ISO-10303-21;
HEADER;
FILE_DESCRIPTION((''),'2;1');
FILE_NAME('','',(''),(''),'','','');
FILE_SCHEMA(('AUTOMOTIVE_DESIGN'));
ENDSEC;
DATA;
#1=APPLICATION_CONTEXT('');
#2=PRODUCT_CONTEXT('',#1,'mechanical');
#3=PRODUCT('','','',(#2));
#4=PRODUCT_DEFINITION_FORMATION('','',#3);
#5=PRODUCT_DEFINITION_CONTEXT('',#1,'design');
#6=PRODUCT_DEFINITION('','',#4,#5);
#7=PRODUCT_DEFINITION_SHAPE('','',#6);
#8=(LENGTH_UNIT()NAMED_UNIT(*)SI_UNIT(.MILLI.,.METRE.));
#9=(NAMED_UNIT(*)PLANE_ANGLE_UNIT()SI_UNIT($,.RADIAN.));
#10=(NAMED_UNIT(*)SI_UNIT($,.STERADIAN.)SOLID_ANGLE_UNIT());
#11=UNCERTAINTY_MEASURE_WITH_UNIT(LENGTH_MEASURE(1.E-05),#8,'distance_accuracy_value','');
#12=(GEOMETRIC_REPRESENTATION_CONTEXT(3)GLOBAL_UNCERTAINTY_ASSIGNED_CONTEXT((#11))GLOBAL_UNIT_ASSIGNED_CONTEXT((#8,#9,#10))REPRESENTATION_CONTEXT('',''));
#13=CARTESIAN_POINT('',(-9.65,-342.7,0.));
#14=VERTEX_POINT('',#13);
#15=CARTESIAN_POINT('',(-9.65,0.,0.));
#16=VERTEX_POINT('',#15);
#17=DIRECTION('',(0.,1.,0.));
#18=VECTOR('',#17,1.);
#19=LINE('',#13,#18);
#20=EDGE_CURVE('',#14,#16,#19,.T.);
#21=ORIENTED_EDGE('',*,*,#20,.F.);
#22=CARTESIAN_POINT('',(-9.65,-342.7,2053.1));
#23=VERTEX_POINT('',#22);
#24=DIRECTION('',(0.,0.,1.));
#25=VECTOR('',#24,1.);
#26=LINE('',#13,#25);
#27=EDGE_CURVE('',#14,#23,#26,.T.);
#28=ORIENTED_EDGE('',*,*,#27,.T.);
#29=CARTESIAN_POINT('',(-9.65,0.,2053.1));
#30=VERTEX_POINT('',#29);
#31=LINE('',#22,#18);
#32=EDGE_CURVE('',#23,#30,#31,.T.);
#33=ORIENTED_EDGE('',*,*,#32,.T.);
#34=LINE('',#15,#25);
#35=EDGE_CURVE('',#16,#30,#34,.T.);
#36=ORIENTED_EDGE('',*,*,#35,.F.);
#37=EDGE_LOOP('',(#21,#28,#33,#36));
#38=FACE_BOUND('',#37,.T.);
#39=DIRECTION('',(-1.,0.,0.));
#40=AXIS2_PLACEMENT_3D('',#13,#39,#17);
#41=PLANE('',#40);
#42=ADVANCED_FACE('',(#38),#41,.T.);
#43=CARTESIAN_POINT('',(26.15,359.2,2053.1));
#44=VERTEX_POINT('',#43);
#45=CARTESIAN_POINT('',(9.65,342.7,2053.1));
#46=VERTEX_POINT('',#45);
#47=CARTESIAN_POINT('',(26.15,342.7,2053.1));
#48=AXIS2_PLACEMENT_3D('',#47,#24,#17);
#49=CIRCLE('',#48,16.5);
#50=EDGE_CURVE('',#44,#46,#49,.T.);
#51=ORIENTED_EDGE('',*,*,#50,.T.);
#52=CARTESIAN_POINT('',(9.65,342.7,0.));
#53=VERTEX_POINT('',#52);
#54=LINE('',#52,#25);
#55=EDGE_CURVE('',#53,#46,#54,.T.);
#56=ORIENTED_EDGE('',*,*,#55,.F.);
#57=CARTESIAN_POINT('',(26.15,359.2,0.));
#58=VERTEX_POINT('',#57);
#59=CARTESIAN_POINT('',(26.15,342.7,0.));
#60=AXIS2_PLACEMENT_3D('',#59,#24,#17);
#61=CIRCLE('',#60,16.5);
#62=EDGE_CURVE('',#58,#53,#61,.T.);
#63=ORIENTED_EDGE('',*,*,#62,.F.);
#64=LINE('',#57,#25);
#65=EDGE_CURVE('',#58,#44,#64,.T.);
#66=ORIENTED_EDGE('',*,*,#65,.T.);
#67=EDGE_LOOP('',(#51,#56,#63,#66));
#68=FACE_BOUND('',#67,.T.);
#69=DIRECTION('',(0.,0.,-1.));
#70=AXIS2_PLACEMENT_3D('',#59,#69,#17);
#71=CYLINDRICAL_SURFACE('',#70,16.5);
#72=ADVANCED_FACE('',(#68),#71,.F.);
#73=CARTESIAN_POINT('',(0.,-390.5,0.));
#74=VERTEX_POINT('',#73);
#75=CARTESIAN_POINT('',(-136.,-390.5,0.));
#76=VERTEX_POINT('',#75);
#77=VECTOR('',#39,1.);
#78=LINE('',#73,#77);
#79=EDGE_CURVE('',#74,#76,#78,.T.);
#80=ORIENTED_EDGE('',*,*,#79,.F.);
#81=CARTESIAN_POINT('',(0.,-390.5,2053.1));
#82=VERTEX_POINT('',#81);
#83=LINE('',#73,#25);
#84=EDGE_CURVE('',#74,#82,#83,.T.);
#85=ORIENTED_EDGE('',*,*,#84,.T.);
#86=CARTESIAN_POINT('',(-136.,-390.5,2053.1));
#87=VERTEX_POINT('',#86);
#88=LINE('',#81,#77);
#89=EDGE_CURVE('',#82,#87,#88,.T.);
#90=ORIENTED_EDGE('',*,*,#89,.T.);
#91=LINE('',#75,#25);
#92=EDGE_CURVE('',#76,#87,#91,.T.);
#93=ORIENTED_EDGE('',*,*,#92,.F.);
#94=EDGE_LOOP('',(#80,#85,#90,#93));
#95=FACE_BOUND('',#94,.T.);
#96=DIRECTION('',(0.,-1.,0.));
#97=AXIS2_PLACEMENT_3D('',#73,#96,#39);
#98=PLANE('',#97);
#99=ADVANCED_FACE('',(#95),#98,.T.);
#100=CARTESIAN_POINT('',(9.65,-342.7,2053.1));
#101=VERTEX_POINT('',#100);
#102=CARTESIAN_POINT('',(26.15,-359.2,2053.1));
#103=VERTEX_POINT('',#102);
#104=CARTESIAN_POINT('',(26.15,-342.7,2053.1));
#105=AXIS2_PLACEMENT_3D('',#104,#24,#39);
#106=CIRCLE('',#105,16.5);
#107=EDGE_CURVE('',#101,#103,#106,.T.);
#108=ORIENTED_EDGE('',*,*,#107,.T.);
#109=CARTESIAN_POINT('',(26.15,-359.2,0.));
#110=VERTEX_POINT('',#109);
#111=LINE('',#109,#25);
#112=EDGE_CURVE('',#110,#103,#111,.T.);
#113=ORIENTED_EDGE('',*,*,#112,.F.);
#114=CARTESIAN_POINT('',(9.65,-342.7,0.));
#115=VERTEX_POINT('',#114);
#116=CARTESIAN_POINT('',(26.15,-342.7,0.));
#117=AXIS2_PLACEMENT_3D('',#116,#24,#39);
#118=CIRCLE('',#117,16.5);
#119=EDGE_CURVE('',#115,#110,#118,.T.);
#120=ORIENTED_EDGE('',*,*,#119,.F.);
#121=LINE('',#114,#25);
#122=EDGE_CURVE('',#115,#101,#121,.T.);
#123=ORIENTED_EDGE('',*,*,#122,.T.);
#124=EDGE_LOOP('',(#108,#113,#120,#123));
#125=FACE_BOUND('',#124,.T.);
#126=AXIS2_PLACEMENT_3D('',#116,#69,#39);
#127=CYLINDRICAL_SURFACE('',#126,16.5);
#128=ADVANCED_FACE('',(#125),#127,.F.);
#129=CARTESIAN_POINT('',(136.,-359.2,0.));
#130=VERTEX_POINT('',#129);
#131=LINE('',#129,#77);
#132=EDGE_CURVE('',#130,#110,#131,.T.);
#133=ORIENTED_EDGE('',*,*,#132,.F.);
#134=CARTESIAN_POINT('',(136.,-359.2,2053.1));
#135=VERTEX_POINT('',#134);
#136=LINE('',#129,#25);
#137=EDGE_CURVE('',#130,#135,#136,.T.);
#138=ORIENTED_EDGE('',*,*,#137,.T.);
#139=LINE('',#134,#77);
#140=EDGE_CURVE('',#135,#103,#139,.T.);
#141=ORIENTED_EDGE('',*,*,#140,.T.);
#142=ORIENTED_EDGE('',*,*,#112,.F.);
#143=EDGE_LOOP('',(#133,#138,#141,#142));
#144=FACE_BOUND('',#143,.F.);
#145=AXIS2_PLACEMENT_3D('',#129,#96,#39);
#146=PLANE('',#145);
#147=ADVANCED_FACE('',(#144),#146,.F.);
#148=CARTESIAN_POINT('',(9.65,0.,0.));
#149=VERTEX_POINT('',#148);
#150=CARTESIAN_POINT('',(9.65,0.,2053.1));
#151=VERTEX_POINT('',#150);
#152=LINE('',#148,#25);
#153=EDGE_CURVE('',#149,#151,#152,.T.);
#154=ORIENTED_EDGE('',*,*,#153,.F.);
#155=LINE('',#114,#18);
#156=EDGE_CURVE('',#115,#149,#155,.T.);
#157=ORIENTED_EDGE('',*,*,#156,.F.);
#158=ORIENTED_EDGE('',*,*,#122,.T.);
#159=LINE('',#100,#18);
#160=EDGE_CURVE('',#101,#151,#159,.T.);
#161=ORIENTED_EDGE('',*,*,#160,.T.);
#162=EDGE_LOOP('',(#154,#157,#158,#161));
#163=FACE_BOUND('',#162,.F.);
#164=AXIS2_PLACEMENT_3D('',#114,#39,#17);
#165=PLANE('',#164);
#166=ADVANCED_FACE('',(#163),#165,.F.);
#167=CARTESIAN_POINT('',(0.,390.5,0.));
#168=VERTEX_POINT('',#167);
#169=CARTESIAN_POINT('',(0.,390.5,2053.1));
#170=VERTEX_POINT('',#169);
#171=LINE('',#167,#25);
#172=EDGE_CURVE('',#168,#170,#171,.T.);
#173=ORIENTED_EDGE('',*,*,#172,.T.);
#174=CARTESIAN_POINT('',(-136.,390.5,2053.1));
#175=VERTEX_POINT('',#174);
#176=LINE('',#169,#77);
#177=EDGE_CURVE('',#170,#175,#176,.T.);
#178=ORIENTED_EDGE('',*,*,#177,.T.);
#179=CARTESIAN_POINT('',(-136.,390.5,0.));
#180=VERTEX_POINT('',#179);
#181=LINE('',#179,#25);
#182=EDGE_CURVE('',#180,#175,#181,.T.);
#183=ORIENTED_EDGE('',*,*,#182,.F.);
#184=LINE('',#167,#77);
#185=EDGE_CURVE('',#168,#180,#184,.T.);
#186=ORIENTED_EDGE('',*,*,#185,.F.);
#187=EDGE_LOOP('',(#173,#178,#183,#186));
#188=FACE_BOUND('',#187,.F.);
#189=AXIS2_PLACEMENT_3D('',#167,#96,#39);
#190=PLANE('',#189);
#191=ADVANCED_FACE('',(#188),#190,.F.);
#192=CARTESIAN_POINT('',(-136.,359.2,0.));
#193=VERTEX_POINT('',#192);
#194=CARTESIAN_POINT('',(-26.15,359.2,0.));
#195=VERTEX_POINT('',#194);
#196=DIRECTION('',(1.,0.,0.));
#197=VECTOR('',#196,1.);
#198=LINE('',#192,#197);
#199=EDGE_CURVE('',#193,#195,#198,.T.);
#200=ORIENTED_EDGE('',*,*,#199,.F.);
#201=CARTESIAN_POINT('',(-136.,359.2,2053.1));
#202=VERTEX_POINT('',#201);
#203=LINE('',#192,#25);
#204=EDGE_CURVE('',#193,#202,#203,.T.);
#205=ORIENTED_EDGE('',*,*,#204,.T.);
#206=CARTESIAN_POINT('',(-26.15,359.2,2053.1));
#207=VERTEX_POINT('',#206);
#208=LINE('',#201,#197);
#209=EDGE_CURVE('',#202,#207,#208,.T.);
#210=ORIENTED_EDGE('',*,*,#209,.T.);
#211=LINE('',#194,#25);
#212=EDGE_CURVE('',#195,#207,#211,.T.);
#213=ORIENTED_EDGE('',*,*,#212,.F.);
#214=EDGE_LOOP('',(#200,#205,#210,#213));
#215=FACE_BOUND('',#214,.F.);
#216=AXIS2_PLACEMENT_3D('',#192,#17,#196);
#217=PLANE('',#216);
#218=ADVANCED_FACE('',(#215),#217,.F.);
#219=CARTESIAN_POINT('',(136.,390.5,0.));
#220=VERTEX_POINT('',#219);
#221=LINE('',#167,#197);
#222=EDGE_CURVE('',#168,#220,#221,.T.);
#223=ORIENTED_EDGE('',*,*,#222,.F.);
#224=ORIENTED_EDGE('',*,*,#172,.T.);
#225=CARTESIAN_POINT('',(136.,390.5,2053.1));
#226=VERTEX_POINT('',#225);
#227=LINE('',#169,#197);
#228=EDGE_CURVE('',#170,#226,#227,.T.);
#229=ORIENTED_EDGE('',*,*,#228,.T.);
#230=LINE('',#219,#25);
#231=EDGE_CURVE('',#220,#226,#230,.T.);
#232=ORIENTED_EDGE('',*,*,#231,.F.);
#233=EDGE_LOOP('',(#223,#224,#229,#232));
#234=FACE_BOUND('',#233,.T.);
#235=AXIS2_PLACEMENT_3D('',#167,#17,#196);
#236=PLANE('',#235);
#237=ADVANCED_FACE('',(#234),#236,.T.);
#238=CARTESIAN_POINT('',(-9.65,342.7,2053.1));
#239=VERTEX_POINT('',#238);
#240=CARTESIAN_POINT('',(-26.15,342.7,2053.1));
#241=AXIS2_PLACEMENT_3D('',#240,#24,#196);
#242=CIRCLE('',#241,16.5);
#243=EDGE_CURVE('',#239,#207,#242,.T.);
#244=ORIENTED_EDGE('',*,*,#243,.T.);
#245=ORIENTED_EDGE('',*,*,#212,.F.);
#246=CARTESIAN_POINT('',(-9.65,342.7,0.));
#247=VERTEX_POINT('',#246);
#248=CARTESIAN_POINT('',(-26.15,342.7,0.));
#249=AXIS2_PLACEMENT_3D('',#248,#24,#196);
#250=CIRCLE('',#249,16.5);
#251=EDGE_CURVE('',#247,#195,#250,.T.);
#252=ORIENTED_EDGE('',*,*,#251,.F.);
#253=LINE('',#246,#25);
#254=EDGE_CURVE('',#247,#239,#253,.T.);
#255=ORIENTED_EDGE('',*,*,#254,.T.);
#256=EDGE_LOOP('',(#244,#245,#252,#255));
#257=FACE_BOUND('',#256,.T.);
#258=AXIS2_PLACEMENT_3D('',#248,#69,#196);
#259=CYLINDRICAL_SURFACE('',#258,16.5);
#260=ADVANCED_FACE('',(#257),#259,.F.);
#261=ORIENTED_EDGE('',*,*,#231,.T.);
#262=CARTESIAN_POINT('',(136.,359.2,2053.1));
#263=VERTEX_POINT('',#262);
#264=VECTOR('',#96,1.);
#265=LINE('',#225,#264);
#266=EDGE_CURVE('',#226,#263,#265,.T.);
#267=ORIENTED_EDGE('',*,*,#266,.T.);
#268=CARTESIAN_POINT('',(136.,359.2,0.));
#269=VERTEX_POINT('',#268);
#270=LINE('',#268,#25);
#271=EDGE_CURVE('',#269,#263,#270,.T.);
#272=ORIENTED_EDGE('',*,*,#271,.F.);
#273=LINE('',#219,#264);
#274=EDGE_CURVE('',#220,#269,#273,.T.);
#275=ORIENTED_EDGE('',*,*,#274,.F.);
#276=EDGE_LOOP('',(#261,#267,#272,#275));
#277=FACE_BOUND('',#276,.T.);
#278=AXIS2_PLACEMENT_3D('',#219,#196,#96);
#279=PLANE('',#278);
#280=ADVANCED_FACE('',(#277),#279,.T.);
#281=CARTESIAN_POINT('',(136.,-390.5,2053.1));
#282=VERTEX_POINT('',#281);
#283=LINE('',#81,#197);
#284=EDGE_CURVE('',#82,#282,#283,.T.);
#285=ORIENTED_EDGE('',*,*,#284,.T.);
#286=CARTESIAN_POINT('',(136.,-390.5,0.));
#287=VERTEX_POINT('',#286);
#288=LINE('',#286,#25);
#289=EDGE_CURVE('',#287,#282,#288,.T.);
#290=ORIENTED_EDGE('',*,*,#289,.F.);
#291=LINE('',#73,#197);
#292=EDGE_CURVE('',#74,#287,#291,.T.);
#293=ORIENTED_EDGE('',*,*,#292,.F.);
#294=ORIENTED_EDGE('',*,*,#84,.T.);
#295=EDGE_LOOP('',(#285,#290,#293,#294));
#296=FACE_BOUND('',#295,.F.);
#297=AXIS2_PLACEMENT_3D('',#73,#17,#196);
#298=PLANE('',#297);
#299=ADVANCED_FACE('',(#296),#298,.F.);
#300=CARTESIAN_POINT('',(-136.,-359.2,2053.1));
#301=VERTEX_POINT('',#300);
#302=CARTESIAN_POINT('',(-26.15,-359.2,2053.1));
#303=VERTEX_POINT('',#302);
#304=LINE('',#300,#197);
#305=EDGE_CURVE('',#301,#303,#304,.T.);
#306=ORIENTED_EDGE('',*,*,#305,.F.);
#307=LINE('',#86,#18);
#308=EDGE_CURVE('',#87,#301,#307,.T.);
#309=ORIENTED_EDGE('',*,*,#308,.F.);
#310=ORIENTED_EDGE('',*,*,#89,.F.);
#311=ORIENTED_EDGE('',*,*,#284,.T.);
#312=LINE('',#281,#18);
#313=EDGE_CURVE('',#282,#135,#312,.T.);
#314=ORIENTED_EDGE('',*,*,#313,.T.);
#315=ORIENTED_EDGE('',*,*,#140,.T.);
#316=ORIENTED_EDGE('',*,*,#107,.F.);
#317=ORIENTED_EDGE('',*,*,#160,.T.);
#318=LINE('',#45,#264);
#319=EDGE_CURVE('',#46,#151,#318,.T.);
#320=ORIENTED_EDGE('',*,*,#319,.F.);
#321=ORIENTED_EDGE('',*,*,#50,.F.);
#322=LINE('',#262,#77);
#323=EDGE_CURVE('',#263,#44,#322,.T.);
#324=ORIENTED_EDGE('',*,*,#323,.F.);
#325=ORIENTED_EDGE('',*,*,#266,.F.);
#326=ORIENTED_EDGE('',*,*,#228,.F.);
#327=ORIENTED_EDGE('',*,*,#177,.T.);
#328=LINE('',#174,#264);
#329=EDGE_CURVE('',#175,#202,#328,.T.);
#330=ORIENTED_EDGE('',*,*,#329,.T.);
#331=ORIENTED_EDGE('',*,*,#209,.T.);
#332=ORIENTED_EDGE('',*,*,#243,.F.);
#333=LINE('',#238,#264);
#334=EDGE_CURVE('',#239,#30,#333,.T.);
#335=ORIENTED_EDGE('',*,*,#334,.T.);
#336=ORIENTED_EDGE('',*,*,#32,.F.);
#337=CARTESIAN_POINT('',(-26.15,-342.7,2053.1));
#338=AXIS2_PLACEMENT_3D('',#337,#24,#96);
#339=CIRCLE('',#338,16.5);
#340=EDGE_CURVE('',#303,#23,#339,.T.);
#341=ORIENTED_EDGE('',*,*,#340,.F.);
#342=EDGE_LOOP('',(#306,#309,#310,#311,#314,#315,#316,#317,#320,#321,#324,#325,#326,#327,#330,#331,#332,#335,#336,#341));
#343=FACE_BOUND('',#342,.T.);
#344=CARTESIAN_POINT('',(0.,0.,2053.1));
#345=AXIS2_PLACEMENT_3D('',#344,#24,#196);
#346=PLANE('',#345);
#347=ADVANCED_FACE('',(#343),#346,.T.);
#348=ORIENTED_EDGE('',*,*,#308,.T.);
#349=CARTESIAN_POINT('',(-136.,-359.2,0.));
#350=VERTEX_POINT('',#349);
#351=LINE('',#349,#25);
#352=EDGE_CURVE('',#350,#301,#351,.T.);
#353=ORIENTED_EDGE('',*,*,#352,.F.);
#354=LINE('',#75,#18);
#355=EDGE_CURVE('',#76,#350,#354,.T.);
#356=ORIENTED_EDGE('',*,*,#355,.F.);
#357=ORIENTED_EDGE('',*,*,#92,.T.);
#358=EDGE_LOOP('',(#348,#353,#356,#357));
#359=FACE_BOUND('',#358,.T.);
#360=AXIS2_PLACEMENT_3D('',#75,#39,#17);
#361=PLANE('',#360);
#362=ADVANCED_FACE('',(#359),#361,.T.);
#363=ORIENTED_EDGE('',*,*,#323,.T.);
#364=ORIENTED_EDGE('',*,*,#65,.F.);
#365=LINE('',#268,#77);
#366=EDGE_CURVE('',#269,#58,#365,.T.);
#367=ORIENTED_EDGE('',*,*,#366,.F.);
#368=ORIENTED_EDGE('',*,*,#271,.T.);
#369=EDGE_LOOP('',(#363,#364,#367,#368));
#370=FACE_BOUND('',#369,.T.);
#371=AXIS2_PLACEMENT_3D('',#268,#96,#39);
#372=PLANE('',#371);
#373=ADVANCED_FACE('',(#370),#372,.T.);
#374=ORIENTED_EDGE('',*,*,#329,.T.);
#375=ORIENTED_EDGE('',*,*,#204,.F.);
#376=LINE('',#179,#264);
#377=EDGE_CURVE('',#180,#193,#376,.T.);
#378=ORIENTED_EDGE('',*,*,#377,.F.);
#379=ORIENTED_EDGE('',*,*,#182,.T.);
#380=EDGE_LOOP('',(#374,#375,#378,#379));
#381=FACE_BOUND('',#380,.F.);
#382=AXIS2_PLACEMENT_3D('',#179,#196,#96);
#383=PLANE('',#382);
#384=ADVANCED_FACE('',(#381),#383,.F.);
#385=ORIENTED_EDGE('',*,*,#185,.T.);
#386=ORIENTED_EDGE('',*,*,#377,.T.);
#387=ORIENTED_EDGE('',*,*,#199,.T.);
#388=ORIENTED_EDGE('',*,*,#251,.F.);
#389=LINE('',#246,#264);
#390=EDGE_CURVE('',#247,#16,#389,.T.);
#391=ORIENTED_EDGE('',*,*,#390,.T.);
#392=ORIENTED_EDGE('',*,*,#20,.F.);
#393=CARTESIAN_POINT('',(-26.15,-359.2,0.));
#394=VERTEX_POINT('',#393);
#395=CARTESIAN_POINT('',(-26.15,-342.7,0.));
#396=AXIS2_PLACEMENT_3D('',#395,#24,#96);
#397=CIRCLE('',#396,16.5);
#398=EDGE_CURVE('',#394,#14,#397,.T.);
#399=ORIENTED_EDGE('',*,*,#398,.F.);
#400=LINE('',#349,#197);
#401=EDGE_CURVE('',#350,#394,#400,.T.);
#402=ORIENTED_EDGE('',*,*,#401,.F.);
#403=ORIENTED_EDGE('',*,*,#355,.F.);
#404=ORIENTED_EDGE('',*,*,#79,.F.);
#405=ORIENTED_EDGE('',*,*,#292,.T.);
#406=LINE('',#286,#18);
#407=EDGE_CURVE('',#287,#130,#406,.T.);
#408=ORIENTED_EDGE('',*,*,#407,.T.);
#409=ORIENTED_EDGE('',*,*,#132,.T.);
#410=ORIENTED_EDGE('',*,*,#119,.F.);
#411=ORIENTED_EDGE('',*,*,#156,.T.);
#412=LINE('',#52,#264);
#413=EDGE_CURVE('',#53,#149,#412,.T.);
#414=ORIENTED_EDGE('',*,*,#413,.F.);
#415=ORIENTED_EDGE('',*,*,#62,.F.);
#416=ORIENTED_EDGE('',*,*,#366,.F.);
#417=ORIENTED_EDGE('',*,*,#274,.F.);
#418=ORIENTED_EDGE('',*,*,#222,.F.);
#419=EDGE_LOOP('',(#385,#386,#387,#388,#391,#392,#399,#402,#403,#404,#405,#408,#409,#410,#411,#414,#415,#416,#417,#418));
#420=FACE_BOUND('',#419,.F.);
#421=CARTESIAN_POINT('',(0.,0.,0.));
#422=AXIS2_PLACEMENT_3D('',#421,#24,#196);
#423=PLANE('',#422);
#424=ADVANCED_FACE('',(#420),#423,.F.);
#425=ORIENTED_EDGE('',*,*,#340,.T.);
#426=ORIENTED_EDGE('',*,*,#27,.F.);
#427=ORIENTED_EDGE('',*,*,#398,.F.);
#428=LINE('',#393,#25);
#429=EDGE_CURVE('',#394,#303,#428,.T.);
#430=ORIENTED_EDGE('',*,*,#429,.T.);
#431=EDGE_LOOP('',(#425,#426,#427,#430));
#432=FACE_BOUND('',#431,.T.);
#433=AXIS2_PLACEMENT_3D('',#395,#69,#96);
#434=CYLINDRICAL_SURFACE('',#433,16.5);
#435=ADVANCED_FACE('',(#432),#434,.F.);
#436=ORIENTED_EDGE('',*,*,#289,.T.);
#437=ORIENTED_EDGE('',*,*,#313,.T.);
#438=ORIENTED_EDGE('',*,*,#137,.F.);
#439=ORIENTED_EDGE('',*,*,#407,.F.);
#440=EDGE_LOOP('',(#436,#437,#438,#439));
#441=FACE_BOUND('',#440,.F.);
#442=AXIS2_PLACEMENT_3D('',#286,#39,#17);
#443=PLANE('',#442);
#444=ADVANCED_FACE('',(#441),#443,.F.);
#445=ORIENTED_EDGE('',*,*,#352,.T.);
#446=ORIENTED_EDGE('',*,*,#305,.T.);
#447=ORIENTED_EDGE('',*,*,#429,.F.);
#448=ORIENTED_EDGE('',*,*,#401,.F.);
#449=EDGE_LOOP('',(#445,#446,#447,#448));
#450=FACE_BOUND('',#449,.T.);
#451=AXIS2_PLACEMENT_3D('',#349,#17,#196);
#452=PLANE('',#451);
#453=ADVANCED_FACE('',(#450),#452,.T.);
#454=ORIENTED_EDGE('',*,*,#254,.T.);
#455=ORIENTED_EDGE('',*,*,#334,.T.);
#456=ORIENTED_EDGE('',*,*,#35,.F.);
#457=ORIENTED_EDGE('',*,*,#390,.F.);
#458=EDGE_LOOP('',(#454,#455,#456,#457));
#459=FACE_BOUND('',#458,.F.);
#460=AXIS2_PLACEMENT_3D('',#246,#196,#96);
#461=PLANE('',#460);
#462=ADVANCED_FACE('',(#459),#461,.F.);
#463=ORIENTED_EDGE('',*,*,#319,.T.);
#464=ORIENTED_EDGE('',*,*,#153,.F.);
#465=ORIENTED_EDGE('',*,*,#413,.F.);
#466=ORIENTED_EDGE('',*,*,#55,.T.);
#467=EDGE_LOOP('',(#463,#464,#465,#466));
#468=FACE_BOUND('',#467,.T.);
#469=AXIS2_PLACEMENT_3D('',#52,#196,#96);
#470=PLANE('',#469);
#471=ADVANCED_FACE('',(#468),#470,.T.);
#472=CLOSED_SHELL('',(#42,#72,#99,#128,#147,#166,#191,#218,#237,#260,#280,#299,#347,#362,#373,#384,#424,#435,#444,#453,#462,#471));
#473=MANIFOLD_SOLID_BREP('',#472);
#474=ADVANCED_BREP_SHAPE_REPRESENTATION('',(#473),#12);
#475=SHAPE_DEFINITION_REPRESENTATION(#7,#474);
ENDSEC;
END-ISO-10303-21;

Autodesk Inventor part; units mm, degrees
ref_plane "YZ Plane" through (0, 0, 0) normal (1, 0, 0) x (0, 1, 0)
ref_plane "Start plane" through (0, 0, 0) normal (0, 0, 1) x (1, 0, 0)
ref_plane "End plane" through (0, 0, 2053.1) normal (0, 0, 1) x (1, 0, 0)
sketch "Sketch" plane through (0, 0, 0) normal (0, 0, 1) x (1, 0, 0)
  line L0 (-136, -390.5) -> (-136, -359.2)
  line L1 (-136, -359.2) -> (-26.15, -359.2)
  line L2 (-9.65, -342.7) -> (-9.65, 0)
  line L3 (-9.65, 0) -> (0, 0) construction
  line L4 (0, 0) -> (0, -390.5) construction
  line L5 (0, -390.5) -> (-136, -390.5)
  line L6 (-60, 0) -> (80, 0) construction
  line L7 (0, -60) -> (0, 80) construction
  line L8 (136, -390.5) -> (136, -359.2)
  line L9 (136, -359.2) -> (26.15, -359.2)
  line L10 (9.65, -342.7) -> (9.65, 0)
  line L11 (9.65, 0) -> (0, 0) construction
  line L12 (0, -390.5) -> (136, -390.5)
  line L13 (-136, 390.5) -> (-136, 359.2)
  line L14 (-136, 359.2) -> (-26.15, 359.2)
  line L15 (-9.65, 342.7) -> (-9.65, 0)
  line L16 (0, 390.5) -> (-136, 390.5)
  line L17 (136, 390.5) -> (136, 359.2)
  line L18 (136, 359.2) -> (26.15, 359.2)
  line L19 (0, 390.5) -> (136, 390.5)
  line L20 (9.65, 342.7) -> (9.65, 0)
  arc A0 (-9.65, 342.7) -> (-26.15, 359.2) centre (-26.15, 342.7) ccw
  arc A1 (26.15, 359.2) -> (9.65, 342.7) centre (26.15, 342.7) ccw
  arc A2 (9.65, -342.7) -> (26.15, -359.2) centre (26.15, -342.7) ccw
  arc A3 (-26.15, -359.2) -> (-9.65, -342.7) centre (-26.15, -342.7) ccw
  line L21 (0, 108) -> (0, -88) construction
  line L22 (-88, 0) -> (108, 0) construction
  point P0 (-9.65, -359.2)
  point P1 (9.65, -359.2)
  point P2 (-9.65, 359.2)
  point P3 (9.65, 359.2)
  dimension "d1" = 390.5
  dimension "d2" = 31.3
  dimension "d3" = 136
  dimension "d4" = 9.65
  dimension "d10" = 16.5
extrude "Body" add sketch "Sketch" along normal up to surface (2053.1 mm away) from surface at 0
sketch "Sketch4" plane through (0, 0, 0) normal (0, 0, 1) x (1, 0, 0)
  line L0 (0, 0) -> (10, 0)
ref_plane "Work Plane3" through (0, 0, 0) normal (0, -1, 0) x (1, 0, 0)
sketch "Sketch5" plane through (0, 0, 0) normal (0, -1, 0) x (1, 0, 0)
  line L0 (-2, 0) -> (12, 0) projected
  line L1 (-2, 2053.1) -> (12, 2053.1) projected
  dimension "d14" = 2053.1
equation "\"d1\" = 0.5 * G_H"
equation "\"d2\" = G_T1"
equation "\"d3\" = 0.5 * G_W"
equation "\"d4\" = 0.5 * G_T"
equation "\"d10\" = G_IR"
equation "\"d5\" = G_L"
equation "\"G_W\" = 272"
equation "\"G_H\" = 781"
equation "\"G_T\" = 19.3"
equation "\"G_T1\" = 31.3"
equation "\"G_IR\" = 16.5"
equation "\"G_L\" = d14"
equation "\"G_OFFSET_START\" = 0"
equation "\"G_OFFSET_END\" = 0"
equation "\"d12\" = G_OFFSET_END + B_L"
equation "\"B_L\" = 2053.1"
properties part number "AS 3679-1990 - 760 UB - 244 - 2053.1" material "Steel, Mild"
